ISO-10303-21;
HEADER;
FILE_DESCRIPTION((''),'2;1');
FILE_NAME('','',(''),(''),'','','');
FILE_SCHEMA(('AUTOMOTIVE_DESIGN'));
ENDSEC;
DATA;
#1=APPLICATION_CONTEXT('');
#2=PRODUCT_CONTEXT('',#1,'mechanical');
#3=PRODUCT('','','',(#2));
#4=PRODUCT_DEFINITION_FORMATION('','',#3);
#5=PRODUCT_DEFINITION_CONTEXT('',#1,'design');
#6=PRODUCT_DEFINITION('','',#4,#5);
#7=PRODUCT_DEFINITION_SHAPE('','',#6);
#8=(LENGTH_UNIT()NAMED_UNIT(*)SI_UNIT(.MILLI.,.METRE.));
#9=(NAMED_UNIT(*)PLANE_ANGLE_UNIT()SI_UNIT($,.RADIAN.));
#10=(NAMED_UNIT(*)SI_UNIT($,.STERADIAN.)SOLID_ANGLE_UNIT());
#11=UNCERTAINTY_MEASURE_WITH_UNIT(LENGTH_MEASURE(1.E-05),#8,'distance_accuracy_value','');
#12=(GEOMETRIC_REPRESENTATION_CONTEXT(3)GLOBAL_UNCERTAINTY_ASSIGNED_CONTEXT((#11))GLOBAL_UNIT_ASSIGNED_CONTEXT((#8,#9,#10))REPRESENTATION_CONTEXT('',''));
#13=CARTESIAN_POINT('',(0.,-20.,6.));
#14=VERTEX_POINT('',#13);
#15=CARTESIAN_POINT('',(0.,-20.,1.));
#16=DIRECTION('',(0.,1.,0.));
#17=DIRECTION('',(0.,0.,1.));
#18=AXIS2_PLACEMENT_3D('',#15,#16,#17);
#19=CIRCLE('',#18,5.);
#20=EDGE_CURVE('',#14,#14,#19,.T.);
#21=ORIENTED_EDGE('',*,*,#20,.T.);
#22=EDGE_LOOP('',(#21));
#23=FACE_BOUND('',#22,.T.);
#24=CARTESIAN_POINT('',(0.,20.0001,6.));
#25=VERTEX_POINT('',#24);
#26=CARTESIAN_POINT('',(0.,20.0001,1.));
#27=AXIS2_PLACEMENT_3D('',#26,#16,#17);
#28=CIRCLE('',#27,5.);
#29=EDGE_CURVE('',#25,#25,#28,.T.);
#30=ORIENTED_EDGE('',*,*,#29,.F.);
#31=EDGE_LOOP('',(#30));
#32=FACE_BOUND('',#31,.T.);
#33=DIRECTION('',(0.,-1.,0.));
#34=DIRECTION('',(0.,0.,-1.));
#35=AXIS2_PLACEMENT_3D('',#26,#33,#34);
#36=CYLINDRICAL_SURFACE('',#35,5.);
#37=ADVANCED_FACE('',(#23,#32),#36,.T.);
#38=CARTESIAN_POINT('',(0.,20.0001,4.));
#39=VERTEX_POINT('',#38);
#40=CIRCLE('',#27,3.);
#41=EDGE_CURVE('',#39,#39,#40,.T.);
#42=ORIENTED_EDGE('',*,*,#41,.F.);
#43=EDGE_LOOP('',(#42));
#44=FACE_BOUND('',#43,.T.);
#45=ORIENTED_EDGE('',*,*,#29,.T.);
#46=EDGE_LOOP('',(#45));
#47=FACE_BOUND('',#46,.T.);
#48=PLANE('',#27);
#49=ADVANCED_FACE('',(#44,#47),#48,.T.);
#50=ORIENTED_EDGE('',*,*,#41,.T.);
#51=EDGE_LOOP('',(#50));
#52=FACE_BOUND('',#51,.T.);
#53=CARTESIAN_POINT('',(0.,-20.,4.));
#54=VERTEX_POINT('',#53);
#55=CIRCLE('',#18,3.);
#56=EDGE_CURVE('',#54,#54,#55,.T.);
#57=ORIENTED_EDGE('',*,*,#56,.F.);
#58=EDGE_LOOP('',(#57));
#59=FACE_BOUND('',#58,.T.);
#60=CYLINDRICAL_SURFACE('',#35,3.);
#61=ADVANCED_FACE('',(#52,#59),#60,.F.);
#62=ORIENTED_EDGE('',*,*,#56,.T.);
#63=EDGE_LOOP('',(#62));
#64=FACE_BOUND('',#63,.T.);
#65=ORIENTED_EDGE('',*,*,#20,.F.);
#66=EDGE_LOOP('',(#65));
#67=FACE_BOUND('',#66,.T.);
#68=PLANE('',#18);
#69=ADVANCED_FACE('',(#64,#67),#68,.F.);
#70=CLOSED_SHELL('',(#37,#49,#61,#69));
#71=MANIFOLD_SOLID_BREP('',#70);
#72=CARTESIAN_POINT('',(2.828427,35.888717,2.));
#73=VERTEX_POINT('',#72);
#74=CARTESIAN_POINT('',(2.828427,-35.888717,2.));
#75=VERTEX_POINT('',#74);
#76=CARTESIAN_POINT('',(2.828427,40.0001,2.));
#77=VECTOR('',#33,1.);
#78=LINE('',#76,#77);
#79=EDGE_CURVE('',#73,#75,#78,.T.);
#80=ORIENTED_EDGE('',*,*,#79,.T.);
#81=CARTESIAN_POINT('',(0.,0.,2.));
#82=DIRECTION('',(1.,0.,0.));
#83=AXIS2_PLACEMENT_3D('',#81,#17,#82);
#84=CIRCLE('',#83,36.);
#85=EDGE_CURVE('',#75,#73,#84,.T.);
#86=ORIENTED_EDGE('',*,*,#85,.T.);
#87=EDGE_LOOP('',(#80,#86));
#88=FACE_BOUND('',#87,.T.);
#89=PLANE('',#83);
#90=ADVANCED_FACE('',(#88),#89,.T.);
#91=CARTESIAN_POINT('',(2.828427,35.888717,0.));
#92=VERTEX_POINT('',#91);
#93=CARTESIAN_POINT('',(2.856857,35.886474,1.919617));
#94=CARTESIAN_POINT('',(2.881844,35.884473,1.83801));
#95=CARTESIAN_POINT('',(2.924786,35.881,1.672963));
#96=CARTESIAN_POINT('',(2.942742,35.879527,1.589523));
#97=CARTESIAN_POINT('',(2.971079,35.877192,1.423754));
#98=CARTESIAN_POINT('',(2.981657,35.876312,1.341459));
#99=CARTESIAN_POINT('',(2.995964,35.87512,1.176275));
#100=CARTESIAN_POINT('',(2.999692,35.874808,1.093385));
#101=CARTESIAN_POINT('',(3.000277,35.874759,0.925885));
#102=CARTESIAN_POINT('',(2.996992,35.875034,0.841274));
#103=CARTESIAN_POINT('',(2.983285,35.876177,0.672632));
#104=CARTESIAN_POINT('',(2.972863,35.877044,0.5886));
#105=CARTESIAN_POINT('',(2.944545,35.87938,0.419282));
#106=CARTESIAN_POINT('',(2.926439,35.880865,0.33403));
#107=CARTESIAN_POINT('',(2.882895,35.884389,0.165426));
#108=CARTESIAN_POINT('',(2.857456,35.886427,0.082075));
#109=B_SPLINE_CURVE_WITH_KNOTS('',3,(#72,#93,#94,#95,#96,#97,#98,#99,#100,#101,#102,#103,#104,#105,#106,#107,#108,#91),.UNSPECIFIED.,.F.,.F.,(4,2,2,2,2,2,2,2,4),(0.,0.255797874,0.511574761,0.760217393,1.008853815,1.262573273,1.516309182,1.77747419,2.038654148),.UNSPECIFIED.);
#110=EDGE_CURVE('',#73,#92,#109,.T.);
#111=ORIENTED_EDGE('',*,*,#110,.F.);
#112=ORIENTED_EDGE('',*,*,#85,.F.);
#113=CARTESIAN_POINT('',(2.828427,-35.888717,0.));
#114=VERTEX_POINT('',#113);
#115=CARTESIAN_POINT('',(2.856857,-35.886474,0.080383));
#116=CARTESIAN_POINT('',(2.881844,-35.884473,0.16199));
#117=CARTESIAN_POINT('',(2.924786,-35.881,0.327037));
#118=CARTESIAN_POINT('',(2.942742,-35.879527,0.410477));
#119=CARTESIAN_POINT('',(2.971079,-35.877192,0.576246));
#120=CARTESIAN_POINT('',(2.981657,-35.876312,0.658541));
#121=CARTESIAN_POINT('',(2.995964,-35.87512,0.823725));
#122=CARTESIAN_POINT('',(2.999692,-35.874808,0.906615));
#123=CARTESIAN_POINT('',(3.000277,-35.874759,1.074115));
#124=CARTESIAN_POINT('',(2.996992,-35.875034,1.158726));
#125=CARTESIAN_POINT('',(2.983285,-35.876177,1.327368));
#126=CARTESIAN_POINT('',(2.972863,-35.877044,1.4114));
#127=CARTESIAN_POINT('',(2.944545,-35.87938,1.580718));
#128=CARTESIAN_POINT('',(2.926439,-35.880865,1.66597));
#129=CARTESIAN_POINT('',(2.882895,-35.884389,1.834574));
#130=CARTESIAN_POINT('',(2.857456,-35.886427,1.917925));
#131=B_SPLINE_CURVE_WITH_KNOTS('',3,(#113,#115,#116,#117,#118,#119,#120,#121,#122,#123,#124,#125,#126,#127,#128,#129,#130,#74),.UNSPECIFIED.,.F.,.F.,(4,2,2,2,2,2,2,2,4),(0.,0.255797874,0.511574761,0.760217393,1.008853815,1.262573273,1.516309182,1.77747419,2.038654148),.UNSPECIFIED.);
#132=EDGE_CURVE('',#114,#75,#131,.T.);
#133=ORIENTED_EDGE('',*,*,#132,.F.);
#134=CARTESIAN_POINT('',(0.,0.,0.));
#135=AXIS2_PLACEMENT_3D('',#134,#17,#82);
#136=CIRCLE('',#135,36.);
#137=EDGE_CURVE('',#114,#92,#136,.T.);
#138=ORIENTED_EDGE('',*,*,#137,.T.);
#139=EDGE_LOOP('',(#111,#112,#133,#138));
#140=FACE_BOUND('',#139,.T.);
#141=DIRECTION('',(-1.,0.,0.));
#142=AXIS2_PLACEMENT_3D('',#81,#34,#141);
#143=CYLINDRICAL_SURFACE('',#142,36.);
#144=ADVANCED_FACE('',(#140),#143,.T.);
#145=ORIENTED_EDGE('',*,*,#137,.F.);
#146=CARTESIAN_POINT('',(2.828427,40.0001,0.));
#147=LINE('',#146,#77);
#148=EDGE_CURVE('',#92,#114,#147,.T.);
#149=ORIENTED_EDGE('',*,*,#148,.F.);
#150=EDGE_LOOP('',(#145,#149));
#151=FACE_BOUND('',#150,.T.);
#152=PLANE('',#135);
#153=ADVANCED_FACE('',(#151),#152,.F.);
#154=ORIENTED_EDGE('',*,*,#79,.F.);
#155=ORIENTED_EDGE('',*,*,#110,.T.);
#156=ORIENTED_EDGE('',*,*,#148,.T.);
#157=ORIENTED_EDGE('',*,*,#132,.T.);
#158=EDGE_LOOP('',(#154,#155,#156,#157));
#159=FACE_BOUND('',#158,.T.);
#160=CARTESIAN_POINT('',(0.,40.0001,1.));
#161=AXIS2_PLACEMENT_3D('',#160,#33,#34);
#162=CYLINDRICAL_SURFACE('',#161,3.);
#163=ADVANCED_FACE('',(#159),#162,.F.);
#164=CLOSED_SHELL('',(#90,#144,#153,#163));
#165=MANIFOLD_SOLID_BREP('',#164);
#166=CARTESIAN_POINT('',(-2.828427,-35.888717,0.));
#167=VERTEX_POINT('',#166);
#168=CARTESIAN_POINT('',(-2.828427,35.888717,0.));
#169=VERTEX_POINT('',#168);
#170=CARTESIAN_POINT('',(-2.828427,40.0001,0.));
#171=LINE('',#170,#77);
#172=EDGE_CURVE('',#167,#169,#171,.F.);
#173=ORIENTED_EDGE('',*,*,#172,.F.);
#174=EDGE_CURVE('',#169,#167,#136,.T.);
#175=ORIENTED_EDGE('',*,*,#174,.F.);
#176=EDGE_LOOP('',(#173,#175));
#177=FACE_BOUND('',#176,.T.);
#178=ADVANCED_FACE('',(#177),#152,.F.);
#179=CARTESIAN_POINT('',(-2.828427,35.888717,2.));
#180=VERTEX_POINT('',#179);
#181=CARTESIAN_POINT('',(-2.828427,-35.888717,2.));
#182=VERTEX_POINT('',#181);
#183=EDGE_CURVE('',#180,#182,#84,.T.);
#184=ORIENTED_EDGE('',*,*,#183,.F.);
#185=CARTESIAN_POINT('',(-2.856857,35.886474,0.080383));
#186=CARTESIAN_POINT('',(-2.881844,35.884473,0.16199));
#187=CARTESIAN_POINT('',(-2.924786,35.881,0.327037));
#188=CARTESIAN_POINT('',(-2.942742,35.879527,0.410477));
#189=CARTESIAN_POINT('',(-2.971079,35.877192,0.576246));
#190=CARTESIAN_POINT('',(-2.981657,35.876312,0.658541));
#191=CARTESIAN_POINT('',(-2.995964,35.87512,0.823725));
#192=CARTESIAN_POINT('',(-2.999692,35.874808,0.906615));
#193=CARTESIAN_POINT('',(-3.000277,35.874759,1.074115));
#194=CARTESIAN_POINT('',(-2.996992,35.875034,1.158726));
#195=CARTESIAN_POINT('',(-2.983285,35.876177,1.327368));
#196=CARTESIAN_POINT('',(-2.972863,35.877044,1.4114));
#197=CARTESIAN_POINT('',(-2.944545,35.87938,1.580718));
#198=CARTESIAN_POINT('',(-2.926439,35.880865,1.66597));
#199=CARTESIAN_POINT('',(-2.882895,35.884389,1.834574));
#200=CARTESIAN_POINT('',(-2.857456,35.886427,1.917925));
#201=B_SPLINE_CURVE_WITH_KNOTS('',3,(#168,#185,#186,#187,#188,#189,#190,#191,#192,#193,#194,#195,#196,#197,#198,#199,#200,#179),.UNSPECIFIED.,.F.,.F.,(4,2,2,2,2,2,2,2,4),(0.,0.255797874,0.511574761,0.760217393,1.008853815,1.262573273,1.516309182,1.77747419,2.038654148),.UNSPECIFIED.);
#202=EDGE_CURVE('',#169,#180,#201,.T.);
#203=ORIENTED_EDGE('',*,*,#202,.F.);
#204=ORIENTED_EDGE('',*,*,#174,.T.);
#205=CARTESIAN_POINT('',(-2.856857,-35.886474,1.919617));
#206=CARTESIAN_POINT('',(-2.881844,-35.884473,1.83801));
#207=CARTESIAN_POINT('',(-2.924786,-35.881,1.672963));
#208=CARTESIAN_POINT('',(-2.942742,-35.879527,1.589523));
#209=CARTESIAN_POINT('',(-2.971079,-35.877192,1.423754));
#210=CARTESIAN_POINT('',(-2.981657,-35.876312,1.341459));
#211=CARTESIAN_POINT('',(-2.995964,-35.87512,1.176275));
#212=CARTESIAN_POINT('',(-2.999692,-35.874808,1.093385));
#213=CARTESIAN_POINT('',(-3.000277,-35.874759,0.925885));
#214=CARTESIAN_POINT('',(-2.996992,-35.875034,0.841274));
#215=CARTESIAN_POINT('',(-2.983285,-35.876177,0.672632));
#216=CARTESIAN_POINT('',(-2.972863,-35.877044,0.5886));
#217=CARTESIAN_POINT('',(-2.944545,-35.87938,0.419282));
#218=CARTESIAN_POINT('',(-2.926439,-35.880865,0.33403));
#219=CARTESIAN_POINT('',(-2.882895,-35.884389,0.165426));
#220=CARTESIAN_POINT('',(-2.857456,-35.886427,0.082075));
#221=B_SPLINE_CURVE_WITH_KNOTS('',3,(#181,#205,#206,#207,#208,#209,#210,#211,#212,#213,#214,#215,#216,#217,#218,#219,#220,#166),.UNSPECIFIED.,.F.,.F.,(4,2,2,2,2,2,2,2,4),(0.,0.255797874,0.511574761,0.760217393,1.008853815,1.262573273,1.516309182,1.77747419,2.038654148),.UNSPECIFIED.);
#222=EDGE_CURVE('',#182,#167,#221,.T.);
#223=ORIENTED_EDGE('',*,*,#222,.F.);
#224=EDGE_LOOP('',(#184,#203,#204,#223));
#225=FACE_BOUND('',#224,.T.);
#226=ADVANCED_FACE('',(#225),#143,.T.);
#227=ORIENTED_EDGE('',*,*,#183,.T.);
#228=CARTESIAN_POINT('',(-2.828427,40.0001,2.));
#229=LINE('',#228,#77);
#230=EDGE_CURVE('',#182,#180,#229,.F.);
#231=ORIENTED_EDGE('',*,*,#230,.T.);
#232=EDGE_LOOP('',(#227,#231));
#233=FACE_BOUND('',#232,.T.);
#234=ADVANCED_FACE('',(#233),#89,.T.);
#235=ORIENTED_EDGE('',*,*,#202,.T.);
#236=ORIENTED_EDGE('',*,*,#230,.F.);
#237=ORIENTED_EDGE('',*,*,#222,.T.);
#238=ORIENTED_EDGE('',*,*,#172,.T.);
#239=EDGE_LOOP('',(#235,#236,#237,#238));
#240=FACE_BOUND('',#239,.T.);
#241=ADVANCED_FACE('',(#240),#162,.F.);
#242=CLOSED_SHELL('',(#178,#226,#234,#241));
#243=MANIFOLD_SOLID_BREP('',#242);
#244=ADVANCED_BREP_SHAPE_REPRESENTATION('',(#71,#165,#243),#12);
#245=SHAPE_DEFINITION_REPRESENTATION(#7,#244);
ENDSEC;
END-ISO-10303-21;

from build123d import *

# Parameters (mm, degrees)
SKETCH1_R                = 36
BOSS_EXTRUDE1_DEPTH      = 2
BOSS_EXTRUDE2_DEPTH      = 20.0001
BOSS_EXTRUDE2_DEPTH_BACK = 20
SKETCH2_R                = 5
SKETCH2_R_2              = 3
CUT_EXTRUDE1_DEPTH       = 20
CUT_EXTRUDE1_DEPTH_BACK  = 67.843183647
SKETCH3_R                = 3


with BuildPart() as part:
    # Sketch1 → Boss-Extrude1 (new body)
    with BuildSketch(Plane.XY):
        Circle(SKETCH1_R)
    extrude(amount=BOSS_EXTRUDE1_DEPTH)

    # Sketch3 → Cut-Extrude1 (cut, two sides: drawn at the far end of the back side and taken through both)
    with BuildSketch(Plane(origin=(0, 20.0001, 0), x_dir=(1, 0, 0), z_dir=(0, 1, 0)).offset(-CUT_EXTRUDE1_DEPTH_BACK)):
        with Locations((0, -1)):
            Circle(SKETCH3_R)
    extrude(amount=CUT_EXTRUDE1_DEPTH + CUT_EXTRUDE1_DEPTH_BACK, mode=Mode.SUBTRACT)


with BuildPart() as body_2:
    # Sketch2 → Boss-Extrude2 (new, two sides: drawn at the far end of the back side and taken through both)
    with BuildSketch(Plane(origin=(0, 0, 0), x_dir=(1, 0, 0), z_dir=(0, 1, 0)).offset(-BOSS_EXTRUDE2_DEPTH_BACK)):
        with Locations((0, -1)):
            Circle(SKETCH2_R)
        with Locations((0, -1)):
            Circle(SKETCH2_R_2, mode=Mode.SUBTRACT)
    extrude(amount=BOSS_EXTRUDE2_DEPTH + BOSS_EXTRUDE2_DEPTH_BACK)


with BuildPart() as cut_extrude1_piece_1:
    # of the separate pieces the step leaves, piece 1, a body of its own (cut_extrude1_pieces)
    add(part.part.solids().sort_by_distance((2.828427125, -35.88871689, 0))[0])


with BuildPart() as cut_extrude1_piece_2:
    # of the separate pieces the step leaves, piece 2, a body of its own (cut_extrude1_pieces)
    add(part.part.solids().sort_by_distance((-2.828427125, 35.88871689, 0))[0])


solid = Compound([body_2.part, cut_extrude1_piece_1.part, cut_extrude1_piece_2.part])
